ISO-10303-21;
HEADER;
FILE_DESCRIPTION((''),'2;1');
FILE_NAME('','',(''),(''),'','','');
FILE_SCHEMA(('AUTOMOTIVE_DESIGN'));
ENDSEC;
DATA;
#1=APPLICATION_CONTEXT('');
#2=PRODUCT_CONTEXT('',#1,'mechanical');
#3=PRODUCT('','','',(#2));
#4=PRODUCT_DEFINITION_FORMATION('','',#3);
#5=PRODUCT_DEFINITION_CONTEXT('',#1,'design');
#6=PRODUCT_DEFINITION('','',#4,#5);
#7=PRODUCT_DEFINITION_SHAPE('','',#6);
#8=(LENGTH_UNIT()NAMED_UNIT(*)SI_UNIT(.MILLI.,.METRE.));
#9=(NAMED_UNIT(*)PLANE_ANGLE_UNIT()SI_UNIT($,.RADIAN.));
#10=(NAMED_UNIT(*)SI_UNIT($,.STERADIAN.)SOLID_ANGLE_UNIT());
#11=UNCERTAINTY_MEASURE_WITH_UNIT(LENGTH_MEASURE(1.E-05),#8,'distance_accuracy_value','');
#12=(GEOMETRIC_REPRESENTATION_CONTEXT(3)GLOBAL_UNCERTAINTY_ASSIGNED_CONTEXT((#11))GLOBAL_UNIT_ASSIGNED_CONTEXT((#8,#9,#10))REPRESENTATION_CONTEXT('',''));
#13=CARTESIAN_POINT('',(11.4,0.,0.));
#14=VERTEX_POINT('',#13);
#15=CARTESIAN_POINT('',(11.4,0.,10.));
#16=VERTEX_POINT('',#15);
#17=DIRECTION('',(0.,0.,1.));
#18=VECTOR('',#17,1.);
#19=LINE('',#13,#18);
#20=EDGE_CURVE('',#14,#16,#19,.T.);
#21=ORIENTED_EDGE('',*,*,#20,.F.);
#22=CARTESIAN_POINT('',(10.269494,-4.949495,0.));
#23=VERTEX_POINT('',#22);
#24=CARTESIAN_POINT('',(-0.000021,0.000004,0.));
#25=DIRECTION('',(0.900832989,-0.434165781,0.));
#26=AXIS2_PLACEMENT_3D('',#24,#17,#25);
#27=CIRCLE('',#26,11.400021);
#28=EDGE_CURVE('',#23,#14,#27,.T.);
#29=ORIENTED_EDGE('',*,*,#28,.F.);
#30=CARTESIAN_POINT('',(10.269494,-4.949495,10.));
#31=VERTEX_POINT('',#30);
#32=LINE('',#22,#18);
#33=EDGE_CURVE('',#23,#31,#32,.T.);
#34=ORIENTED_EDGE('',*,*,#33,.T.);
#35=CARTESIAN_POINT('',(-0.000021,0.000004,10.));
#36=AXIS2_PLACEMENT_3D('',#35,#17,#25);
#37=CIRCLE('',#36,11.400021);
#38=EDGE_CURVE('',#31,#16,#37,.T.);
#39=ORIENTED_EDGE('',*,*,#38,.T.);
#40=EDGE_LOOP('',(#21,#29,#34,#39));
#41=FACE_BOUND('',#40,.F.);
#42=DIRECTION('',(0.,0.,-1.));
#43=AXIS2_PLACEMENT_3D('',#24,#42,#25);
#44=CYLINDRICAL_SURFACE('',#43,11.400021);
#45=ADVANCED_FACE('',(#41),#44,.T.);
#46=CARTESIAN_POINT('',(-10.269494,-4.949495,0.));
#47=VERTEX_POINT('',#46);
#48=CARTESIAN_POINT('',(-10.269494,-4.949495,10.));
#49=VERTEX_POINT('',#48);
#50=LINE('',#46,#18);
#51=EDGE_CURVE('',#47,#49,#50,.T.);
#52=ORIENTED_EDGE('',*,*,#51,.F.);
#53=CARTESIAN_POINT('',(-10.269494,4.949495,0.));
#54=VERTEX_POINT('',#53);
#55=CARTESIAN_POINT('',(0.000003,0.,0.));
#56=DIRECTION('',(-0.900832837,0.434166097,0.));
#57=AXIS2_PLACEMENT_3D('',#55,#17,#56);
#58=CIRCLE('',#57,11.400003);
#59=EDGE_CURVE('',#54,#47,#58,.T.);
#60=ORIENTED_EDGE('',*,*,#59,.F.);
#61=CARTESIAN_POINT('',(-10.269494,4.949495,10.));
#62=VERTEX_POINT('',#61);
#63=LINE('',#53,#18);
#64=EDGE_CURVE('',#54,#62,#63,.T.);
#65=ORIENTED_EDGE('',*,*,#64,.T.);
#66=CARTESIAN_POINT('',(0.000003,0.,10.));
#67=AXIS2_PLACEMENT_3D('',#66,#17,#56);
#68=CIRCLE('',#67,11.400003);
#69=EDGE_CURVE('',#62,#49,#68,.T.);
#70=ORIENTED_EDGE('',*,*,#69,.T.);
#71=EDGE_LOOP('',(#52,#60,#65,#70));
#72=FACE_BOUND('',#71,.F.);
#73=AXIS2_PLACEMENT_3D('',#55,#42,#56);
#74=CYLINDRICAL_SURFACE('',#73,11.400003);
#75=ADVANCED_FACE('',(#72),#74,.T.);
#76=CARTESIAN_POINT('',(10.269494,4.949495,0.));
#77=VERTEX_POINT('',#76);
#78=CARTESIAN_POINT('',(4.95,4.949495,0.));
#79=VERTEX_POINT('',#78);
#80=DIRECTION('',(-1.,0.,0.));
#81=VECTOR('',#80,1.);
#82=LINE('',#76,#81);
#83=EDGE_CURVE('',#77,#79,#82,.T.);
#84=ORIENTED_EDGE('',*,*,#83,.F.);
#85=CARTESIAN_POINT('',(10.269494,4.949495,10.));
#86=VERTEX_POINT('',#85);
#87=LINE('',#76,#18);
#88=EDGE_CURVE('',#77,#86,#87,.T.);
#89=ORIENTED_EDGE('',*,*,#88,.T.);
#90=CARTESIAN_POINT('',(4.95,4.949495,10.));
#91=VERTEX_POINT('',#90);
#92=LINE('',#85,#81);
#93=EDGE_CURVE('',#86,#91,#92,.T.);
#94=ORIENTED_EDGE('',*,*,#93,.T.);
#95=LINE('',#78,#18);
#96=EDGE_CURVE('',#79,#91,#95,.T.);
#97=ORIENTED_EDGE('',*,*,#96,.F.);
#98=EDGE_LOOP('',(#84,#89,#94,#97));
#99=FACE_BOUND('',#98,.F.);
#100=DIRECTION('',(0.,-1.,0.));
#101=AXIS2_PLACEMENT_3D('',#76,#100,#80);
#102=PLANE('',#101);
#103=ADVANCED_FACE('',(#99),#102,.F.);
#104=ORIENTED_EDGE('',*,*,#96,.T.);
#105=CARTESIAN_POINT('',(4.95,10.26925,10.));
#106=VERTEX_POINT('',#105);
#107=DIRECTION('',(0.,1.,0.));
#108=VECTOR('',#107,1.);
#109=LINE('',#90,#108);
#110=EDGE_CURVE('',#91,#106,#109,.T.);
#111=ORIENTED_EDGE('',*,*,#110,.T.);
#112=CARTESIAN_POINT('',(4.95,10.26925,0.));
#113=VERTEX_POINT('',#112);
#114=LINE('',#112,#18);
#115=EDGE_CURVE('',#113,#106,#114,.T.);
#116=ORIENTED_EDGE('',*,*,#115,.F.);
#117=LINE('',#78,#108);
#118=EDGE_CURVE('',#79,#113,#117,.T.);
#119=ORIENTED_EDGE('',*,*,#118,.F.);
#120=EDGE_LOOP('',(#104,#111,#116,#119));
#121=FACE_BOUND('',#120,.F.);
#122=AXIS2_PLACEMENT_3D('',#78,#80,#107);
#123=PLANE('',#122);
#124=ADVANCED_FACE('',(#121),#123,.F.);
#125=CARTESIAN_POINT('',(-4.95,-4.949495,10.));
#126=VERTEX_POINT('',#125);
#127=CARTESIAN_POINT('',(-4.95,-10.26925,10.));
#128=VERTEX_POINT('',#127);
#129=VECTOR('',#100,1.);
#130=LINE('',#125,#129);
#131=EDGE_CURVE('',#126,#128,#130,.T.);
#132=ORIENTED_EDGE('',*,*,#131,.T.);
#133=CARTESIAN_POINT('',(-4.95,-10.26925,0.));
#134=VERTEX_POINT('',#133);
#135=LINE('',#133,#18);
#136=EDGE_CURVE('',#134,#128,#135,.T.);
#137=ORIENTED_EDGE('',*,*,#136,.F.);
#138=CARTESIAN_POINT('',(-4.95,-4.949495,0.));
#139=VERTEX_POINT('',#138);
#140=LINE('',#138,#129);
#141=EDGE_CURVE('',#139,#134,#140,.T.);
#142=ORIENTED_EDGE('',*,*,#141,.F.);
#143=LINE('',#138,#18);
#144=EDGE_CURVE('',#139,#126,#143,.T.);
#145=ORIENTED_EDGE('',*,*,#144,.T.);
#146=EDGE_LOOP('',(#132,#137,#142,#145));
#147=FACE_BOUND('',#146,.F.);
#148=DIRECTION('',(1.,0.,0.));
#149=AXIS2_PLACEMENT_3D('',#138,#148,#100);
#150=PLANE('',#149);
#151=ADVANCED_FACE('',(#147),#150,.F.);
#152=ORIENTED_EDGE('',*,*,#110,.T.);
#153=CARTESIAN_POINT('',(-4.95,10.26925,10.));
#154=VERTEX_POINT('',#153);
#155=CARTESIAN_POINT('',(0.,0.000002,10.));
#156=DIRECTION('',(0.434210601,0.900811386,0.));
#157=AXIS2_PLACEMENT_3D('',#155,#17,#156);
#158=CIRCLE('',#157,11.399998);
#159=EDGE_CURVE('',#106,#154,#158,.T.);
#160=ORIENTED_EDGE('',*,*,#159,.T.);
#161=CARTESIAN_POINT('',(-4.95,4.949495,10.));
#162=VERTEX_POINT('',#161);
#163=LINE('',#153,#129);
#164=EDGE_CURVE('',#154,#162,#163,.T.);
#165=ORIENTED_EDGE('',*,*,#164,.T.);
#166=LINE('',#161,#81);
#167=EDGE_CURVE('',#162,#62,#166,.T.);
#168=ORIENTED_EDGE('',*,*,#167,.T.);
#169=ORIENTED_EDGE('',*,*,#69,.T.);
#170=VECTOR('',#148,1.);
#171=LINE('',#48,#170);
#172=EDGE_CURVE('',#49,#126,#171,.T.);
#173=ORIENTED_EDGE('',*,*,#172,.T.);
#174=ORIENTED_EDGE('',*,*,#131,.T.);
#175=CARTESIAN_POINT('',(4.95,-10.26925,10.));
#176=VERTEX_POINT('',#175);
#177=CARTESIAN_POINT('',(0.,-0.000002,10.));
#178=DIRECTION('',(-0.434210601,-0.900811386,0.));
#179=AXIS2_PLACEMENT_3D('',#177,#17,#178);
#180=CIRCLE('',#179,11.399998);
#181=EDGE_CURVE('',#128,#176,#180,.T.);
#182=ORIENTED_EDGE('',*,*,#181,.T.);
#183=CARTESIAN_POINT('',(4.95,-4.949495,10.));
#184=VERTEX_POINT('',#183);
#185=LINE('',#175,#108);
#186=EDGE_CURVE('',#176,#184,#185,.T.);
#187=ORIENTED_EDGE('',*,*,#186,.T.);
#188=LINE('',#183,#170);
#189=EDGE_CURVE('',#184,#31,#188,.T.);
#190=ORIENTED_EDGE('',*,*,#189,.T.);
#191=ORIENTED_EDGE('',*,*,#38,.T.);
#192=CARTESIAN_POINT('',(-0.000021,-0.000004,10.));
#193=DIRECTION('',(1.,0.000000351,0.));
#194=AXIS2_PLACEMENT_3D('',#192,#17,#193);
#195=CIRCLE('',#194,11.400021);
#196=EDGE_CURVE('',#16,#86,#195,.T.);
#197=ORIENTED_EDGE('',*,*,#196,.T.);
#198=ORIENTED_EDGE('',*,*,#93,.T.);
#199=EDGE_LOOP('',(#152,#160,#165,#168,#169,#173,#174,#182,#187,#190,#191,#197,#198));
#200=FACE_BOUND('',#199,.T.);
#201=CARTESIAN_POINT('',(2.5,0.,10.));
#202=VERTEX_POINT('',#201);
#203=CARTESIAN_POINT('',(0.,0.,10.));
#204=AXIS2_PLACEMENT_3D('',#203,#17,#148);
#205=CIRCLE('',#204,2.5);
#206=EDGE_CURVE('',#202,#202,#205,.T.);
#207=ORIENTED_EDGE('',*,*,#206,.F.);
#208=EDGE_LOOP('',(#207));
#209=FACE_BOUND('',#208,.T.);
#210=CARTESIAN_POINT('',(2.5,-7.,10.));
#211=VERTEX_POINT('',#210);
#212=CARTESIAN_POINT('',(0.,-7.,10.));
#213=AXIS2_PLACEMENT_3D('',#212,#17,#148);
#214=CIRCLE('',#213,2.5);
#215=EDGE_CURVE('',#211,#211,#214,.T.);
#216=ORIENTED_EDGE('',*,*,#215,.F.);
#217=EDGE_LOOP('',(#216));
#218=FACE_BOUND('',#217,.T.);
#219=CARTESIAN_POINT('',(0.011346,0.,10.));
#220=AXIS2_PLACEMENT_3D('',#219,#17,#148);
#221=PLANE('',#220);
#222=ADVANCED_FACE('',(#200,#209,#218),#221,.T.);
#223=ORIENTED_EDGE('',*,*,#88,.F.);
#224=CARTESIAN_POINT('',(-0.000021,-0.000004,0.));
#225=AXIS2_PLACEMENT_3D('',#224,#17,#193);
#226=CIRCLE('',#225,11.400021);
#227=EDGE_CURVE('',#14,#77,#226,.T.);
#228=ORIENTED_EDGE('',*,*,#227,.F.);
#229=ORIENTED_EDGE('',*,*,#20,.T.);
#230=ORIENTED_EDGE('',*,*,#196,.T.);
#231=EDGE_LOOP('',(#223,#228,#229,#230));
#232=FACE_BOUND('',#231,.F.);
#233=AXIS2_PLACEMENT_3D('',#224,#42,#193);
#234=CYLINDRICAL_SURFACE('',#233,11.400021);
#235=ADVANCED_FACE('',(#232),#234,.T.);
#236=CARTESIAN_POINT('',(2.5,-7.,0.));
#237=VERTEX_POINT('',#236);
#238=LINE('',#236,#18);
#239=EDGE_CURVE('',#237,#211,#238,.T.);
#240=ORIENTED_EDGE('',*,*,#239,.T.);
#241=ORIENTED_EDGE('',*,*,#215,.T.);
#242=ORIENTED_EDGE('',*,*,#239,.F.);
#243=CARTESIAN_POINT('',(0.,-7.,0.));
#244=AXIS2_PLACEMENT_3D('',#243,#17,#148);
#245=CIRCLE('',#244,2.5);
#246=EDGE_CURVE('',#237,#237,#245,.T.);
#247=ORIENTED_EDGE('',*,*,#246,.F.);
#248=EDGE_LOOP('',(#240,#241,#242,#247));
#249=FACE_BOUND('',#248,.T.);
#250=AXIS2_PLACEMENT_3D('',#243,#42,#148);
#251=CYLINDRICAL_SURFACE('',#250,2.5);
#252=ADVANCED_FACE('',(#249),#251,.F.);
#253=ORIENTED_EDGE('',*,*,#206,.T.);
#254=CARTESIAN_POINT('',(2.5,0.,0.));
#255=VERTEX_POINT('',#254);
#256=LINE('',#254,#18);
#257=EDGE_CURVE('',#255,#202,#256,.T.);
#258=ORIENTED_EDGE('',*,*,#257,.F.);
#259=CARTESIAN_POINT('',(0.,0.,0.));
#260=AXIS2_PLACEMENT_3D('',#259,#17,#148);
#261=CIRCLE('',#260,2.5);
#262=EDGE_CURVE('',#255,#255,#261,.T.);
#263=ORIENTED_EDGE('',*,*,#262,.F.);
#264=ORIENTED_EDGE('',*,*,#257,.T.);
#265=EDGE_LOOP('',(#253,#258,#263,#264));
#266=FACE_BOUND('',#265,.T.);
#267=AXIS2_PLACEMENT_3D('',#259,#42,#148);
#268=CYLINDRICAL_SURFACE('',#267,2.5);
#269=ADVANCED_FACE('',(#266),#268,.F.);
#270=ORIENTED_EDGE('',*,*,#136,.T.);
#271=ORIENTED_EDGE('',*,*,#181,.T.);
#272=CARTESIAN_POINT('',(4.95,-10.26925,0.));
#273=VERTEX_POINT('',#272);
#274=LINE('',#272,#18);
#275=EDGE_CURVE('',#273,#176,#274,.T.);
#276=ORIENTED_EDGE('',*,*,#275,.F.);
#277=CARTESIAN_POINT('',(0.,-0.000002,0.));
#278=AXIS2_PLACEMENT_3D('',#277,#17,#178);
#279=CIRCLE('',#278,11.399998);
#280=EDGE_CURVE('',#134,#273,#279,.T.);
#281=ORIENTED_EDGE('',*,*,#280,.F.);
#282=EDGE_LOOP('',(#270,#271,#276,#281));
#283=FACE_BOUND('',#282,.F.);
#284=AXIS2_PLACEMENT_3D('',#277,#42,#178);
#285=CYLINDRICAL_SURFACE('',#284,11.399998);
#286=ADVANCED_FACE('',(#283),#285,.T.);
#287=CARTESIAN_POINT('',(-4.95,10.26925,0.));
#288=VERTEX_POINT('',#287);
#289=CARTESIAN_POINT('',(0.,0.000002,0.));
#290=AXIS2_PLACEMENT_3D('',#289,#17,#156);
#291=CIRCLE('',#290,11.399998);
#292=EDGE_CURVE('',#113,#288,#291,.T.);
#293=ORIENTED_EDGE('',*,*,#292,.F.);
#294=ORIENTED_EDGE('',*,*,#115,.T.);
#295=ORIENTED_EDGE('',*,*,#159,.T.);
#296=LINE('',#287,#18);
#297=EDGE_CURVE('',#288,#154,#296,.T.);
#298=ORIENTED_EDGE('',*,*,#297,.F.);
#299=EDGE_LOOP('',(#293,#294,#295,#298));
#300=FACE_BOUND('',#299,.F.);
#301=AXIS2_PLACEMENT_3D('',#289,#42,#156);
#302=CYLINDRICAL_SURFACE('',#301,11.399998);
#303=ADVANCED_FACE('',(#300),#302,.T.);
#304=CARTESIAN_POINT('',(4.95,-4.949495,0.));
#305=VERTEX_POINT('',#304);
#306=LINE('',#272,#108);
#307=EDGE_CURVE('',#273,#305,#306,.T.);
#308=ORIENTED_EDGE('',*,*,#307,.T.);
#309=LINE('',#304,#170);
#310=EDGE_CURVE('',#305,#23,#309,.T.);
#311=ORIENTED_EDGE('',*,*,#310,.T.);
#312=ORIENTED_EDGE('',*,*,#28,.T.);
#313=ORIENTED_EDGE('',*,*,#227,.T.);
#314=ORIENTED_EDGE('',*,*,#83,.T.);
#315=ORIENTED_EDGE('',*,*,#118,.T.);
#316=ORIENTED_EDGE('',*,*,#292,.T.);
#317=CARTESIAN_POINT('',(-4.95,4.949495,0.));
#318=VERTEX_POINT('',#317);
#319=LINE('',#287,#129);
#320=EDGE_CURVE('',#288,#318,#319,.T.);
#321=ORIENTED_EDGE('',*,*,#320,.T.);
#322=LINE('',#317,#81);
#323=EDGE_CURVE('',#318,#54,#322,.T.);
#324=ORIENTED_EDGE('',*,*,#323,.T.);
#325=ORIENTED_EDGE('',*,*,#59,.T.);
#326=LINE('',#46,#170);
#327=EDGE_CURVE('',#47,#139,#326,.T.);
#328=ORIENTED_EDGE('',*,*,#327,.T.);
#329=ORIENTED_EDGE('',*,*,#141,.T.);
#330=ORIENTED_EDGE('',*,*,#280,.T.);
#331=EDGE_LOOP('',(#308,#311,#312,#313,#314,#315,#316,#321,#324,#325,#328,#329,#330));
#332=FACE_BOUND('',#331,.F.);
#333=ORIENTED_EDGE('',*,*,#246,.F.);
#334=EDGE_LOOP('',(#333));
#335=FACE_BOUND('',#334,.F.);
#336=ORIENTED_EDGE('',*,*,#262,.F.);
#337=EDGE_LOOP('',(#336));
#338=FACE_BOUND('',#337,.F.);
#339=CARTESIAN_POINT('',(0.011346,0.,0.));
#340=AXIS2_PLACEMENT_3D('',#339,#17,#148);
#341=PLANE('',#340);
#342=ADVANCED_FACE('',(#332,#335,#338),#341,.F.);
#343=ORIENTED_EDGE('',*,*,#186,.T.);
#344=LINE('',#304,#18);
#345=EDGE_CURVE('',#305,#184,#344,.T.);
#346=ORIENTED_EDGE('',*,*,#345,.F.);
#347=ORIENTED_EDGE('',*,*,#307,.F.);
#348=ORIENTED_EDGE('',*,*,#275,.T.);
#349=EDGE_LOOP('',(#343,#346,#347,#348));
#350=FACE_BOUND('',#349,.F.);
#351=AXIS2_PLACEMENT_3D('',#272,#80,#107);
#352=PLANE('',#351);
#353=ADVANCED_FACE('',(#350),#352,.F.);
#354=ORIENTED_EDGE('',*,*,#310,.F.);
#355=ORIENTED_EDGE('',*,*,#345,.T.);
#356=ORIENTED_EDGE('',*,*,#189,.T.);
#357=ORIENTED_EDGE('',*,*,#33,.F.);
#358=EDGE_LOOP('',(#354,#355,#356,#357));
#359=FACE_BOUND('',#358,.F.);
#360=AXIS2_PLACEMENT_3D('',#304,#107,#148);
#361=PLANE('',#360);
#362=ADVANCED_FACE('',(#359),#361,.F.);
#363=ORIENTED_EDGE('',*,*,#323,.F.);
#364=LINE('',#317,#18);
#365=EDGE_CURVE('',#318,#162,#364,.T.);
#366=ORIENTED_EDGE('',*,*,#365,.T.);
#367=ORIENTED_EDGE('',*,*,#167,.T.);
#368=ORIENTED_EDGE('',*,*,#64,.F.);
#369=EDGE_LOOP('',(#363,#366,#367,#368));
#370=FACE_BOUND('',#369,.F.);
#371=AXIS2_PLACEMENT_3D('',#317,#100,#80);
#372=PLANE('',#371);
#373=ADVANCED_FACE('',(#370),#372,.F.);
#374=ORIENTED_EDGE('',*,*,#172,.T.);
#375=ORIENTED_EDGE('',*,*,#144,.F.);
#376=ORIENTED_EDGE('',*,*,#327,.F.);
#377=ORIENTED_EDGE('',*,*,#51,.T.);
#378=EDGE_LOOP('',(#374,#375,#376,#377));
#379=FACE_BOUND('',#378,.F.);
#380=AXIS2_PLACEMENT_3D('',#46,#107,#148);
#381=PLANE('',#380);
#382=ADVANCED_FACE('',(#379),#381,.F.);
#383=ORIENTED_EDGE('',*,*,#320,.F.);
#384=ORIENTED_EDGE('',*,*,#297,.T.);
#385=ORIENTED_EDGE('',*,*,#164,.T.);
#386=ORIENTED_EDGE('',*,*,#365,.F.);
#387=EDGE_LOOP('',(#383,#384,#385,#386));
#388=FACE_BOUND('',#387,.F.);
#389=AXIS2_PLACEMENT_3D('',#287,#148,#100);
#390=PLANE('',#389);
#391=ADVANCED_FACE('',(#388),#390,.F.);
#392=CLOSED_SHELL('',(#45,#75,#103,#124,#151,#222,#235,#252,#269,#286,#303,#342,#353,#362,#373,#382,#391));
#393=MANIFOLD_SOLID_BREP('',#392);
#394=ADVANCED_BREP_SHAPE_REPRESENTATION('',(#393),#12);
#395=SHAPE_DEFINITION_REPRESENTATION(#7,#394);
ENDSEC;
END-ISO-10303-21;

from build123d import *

# Parameters (mm, degrees)
F0_R     = 2.5
F1_DEPTH = 10


with BuildPart() as f1:
    # F0 (on Top) → F1 (new body)
    with BuildSketch(Plane.XY):
        with BuildLine():
            ThreePointArc((10.269494, -4.949495), (11.11378, -2.538481), (11.4, 0))
            ThreePointArc((11.4, 0), (11.11378, 2.538481), (10.269494, 4.949495))
            Line((10.269494, 4.949495), (4.95, 4.949495))
            Line((4.95, 4.949495), (4.95, 10.26925))
            ThreePointArc((4.95, 10.26925), (0, 11.4), (-4.95, 10.26925))
            Line((-4.95, 10.26925), (-4.95, 4.949495))
            Line((-4.95, 4.949495), (-10.269494, 4.949495))
            ThreePointArc((-10.269494, 4.949495), (-11.4, 0), (-10.269494, -4.949495))
            Line((-10.269494, -4.949495), (-4.95, -4.949495))
            Line((-4.95, -4.949495), (-4.95, -10.26925))
            ThreePointArc((-4.95, -10.26925), (0, -11.4), (4.95, -10.26925))
            Line((4.95, -10.26925), (4.95, -4.949495))
            Line((4.95, -4.949495), (10.269494, -4.949495))
        make_face()
        with Locations((0, -7)):
            Circle(F0_R, mode=Mode.SUBTRACT)
        Circle(F0_R, mode=Mode.SUBTRACT)
    extrude(amount=F1_DEPTH)


solid = f1.part
